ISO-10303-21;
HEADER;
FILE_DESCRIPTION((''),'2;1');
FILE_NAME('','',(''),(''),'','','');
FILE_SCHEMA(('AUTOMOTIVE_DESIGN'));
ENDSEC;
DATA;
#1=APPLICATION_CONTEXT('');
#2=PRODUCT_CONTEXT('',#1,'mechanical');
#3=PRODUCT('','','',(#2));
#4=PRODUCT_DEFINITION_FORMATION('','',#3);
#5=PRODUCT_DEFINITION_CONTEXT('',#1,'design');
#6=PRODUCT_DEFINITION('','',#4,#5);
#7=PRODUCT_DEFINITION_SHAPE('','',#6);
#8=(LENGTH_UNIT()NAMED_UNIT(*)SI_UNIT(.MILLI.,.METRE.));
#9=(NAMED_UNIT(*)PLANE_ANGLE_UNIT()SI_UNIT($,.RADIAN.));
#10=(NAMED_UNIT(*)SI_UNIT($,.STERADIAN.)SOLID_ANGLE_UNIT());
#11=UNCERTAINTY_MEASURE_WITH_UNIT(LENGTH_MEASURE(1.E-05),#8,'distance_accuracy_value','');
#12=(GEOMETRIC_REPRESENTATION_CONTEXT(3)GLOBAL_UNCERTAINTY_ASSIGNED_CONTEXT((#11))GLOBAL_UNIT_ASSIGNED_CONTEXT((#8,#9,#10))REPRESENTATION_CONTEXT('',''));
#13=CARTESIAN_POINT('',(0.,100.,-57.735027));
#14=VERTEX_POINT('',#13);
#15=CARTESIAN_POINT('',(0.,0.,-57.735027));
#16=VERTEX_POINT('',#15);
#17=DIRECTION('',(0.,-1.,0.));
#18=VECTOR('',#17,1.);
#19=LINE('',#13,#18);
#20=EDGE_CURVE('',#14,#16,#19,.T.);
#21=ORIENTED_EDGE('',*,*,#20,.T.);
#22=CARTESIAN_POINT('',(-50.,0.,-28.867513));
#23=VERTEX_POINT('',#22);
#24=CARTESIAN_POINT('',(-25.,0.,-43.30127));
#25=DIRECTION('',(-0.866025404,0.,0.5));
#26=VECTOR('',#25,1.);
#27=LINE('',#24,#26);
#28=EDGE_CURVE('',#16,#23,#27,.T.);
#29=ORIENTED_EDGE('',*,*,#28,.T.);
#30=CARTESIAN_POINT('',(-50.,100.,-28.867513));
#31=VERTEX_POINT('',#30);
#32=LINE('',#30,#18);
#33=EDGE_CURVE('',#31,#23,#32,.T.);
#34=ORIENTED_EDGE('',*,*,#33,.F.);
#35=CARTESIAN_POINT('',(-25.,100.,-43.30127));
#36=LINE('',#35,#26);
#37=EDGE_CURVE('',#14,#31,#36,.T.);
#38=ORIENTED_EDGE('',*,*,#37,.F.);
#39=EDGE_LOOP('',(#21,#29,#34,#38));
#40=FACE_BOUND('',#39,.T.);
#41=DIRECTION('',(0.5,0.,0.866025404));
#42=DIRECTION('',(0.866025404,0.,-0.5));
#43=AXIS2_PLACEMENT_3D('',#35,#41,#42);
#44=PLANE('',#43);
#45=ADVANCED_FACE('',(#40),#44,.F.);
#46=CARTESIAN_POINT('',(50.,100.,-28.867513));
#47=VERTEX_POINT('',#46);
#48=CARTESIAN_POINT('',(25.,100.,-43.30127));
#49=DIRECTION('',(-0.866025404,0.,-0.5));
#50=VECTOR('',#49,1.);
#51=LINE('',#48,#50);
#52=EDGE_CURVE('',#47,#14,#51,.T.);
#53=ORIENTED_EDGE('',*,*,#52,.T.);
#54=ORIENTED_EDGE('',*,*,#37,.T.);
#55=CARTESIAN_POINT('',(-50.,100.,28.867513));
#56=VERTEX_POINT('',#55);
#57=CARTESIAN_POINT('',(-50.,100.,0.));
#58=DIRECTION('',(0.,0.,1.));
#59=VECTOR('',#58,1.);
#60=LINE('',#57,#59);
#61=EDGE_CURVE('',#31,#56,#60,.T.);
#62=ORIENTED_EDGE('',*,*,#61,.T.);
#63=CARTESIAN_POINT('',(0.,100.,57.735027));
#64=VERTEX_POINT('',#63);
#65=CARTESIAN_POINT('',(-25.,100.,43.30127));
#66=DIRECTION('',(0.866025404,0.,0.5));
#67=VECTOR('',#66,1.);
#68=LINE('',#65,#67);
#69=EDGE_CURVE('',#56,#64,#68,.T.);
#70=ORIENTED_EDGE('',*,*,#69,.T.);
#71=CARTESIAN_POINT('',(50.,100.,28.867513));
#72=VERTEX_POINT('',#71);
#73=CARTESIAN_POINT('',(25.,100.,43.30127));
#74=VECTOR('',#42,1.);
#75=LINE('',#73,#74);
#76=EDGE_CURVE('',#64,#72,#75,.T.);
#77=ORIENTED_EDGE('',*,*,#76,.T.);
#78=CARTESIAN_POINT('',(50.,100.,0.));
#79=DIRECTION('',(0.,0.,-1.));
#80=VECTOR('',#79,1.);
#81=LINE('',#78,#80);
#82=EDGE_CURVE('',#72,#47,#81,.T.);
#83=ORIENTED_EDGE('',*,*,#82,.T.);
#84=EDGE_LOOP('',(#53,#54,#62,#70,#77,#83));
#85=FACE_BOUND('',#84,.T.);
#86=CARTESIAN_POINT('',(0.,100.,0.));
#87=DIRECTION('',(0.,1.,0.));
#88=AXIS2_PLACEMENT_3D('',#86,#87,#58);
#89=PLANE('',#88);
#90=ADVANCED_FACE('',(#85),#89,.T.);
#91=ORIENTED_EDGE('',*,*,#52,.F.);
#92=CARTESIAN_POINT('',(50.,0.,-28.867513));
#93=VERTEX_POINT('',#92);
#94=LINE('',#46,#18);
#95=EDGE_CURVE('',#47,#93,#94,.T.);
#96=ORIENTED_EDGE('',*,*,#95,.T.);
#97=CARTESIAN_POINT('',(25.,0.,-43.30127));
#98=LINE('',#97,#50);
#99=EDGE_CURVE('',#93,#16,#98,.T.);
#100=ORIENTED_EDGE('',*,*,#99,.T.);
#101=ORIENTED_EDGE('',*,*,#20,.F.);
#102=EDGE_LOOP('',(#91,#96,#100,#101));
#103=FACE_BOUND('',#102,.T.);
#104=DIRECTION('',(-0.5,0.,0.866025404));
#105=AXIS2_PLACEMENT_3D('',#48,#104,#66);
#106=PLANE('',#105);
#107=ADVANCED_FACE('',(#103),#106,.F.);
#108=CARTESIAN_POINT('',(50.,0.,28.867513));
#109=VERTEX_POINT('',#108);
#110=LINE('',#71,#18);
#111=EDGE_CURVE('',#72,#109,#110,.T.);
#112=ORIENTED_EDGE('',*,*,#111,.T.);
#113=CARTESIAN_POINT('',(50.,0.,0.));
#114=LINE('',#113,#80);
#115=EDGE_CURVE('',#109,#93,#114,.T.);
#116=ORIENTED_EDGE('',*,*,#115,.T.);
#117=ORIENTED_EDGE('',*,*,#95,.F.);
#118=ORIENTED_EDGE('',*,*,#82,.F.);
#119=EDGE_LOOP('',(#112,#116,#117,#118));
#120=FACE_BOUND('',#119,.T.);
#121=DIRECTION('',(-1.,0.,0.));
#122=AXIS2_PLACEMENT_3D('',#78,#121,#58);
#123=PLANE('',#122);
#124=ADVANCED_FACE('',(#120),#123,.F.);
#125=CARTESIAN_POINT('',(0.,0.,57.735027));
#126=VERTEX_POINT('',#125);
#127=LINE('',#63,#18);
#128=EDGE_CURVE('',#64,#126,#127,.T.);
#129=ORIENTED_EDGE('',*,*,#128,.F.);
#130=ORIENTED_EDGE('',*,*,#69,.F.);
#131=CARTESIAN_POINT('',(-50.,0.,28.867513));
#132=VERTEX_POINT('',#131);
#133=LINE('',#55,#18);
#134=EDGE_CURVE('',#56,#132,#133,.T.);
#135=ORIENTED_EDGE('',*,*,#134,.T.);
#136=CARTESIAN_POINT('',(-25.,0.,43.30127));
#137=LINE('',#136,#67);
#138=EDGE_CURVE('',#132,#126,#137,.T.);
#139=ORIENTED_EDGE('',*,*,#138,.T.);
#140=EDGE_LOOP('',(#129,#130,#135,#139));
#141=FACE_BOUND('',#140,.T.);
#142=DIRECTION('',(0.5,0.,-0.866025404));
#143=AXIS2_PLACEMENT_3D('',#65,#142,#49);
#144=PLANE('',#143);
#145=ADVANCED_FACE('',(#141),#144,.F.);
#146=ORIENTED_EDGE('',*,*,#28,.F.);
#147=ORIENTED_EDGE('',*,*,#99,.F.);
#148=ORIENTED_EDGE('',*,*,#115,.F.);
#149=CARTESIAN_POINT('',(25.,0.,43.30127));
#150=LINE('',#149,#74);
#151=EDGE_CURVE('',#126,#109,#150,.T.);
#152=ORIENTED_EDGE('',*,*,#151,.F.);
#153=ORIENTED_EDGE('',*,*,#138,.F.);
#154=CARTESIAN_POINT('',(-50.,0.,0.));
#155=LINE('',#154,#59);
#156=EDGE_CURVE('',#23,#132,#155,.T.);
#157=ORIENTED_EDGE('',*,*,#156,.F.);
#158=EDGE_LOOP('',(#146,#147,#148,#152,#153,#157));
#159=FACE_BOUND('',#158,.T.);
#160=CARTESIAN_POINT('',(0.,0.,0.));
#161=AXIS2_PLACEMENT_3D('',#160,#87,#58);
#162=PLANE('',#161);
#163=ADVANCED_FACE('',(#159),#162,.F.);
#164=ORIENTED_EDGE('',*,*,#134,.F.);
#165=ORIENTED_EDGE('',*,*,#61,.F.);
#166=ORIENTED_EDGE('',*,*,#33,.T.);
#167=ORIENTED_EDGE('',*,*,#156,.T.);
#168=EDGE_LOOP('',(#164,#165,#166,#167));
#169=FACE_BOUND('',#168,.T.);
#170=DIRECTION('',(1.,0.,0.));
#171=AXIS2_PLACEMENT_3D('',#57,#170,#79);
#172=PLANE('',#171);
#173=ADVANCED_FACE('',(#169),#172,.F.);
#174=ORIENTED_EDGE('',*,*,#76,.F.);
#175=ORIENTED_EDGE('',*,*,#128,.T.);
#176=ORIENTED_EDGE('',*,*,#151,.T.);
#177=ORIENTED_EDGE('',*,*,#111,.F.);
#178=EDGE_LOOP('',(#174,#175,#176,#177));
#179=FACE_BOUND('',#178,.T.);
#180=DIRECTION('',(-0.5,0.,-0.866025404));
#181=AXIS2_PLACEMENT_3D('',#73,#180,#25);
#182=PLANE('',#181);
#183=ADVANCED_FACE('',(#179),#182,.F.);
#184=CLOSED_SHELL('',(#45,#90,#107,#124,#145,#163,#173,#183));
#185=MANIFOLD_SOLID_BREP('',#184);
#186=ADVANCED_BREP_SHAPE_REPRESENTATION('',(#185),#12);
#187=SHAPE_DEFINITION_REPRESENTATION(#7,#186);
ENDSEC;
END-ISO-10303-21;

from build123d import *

# Parameters (mm, degrees)
BOSS_EXTRUDE1_DEPTH = 100


with BuildPart() as part:
    # Sketch1 → Boss-Extrude1 (new body)
    with BuildSketch(Plane(origin=(0, 0, 0), x_dir=(1, 0, 0), z_dir=(0, 1, 0))):
        Polygon((-50, -28.867513459), (0, -57.735026919), (50, -28.867513459), (50, 28.867513459), (0, 57.735026919), (-50, 28.867513459), align=None)
    extrude(amount=BOSS_EXTRUDE1_DEPTH)


solid = part.part
